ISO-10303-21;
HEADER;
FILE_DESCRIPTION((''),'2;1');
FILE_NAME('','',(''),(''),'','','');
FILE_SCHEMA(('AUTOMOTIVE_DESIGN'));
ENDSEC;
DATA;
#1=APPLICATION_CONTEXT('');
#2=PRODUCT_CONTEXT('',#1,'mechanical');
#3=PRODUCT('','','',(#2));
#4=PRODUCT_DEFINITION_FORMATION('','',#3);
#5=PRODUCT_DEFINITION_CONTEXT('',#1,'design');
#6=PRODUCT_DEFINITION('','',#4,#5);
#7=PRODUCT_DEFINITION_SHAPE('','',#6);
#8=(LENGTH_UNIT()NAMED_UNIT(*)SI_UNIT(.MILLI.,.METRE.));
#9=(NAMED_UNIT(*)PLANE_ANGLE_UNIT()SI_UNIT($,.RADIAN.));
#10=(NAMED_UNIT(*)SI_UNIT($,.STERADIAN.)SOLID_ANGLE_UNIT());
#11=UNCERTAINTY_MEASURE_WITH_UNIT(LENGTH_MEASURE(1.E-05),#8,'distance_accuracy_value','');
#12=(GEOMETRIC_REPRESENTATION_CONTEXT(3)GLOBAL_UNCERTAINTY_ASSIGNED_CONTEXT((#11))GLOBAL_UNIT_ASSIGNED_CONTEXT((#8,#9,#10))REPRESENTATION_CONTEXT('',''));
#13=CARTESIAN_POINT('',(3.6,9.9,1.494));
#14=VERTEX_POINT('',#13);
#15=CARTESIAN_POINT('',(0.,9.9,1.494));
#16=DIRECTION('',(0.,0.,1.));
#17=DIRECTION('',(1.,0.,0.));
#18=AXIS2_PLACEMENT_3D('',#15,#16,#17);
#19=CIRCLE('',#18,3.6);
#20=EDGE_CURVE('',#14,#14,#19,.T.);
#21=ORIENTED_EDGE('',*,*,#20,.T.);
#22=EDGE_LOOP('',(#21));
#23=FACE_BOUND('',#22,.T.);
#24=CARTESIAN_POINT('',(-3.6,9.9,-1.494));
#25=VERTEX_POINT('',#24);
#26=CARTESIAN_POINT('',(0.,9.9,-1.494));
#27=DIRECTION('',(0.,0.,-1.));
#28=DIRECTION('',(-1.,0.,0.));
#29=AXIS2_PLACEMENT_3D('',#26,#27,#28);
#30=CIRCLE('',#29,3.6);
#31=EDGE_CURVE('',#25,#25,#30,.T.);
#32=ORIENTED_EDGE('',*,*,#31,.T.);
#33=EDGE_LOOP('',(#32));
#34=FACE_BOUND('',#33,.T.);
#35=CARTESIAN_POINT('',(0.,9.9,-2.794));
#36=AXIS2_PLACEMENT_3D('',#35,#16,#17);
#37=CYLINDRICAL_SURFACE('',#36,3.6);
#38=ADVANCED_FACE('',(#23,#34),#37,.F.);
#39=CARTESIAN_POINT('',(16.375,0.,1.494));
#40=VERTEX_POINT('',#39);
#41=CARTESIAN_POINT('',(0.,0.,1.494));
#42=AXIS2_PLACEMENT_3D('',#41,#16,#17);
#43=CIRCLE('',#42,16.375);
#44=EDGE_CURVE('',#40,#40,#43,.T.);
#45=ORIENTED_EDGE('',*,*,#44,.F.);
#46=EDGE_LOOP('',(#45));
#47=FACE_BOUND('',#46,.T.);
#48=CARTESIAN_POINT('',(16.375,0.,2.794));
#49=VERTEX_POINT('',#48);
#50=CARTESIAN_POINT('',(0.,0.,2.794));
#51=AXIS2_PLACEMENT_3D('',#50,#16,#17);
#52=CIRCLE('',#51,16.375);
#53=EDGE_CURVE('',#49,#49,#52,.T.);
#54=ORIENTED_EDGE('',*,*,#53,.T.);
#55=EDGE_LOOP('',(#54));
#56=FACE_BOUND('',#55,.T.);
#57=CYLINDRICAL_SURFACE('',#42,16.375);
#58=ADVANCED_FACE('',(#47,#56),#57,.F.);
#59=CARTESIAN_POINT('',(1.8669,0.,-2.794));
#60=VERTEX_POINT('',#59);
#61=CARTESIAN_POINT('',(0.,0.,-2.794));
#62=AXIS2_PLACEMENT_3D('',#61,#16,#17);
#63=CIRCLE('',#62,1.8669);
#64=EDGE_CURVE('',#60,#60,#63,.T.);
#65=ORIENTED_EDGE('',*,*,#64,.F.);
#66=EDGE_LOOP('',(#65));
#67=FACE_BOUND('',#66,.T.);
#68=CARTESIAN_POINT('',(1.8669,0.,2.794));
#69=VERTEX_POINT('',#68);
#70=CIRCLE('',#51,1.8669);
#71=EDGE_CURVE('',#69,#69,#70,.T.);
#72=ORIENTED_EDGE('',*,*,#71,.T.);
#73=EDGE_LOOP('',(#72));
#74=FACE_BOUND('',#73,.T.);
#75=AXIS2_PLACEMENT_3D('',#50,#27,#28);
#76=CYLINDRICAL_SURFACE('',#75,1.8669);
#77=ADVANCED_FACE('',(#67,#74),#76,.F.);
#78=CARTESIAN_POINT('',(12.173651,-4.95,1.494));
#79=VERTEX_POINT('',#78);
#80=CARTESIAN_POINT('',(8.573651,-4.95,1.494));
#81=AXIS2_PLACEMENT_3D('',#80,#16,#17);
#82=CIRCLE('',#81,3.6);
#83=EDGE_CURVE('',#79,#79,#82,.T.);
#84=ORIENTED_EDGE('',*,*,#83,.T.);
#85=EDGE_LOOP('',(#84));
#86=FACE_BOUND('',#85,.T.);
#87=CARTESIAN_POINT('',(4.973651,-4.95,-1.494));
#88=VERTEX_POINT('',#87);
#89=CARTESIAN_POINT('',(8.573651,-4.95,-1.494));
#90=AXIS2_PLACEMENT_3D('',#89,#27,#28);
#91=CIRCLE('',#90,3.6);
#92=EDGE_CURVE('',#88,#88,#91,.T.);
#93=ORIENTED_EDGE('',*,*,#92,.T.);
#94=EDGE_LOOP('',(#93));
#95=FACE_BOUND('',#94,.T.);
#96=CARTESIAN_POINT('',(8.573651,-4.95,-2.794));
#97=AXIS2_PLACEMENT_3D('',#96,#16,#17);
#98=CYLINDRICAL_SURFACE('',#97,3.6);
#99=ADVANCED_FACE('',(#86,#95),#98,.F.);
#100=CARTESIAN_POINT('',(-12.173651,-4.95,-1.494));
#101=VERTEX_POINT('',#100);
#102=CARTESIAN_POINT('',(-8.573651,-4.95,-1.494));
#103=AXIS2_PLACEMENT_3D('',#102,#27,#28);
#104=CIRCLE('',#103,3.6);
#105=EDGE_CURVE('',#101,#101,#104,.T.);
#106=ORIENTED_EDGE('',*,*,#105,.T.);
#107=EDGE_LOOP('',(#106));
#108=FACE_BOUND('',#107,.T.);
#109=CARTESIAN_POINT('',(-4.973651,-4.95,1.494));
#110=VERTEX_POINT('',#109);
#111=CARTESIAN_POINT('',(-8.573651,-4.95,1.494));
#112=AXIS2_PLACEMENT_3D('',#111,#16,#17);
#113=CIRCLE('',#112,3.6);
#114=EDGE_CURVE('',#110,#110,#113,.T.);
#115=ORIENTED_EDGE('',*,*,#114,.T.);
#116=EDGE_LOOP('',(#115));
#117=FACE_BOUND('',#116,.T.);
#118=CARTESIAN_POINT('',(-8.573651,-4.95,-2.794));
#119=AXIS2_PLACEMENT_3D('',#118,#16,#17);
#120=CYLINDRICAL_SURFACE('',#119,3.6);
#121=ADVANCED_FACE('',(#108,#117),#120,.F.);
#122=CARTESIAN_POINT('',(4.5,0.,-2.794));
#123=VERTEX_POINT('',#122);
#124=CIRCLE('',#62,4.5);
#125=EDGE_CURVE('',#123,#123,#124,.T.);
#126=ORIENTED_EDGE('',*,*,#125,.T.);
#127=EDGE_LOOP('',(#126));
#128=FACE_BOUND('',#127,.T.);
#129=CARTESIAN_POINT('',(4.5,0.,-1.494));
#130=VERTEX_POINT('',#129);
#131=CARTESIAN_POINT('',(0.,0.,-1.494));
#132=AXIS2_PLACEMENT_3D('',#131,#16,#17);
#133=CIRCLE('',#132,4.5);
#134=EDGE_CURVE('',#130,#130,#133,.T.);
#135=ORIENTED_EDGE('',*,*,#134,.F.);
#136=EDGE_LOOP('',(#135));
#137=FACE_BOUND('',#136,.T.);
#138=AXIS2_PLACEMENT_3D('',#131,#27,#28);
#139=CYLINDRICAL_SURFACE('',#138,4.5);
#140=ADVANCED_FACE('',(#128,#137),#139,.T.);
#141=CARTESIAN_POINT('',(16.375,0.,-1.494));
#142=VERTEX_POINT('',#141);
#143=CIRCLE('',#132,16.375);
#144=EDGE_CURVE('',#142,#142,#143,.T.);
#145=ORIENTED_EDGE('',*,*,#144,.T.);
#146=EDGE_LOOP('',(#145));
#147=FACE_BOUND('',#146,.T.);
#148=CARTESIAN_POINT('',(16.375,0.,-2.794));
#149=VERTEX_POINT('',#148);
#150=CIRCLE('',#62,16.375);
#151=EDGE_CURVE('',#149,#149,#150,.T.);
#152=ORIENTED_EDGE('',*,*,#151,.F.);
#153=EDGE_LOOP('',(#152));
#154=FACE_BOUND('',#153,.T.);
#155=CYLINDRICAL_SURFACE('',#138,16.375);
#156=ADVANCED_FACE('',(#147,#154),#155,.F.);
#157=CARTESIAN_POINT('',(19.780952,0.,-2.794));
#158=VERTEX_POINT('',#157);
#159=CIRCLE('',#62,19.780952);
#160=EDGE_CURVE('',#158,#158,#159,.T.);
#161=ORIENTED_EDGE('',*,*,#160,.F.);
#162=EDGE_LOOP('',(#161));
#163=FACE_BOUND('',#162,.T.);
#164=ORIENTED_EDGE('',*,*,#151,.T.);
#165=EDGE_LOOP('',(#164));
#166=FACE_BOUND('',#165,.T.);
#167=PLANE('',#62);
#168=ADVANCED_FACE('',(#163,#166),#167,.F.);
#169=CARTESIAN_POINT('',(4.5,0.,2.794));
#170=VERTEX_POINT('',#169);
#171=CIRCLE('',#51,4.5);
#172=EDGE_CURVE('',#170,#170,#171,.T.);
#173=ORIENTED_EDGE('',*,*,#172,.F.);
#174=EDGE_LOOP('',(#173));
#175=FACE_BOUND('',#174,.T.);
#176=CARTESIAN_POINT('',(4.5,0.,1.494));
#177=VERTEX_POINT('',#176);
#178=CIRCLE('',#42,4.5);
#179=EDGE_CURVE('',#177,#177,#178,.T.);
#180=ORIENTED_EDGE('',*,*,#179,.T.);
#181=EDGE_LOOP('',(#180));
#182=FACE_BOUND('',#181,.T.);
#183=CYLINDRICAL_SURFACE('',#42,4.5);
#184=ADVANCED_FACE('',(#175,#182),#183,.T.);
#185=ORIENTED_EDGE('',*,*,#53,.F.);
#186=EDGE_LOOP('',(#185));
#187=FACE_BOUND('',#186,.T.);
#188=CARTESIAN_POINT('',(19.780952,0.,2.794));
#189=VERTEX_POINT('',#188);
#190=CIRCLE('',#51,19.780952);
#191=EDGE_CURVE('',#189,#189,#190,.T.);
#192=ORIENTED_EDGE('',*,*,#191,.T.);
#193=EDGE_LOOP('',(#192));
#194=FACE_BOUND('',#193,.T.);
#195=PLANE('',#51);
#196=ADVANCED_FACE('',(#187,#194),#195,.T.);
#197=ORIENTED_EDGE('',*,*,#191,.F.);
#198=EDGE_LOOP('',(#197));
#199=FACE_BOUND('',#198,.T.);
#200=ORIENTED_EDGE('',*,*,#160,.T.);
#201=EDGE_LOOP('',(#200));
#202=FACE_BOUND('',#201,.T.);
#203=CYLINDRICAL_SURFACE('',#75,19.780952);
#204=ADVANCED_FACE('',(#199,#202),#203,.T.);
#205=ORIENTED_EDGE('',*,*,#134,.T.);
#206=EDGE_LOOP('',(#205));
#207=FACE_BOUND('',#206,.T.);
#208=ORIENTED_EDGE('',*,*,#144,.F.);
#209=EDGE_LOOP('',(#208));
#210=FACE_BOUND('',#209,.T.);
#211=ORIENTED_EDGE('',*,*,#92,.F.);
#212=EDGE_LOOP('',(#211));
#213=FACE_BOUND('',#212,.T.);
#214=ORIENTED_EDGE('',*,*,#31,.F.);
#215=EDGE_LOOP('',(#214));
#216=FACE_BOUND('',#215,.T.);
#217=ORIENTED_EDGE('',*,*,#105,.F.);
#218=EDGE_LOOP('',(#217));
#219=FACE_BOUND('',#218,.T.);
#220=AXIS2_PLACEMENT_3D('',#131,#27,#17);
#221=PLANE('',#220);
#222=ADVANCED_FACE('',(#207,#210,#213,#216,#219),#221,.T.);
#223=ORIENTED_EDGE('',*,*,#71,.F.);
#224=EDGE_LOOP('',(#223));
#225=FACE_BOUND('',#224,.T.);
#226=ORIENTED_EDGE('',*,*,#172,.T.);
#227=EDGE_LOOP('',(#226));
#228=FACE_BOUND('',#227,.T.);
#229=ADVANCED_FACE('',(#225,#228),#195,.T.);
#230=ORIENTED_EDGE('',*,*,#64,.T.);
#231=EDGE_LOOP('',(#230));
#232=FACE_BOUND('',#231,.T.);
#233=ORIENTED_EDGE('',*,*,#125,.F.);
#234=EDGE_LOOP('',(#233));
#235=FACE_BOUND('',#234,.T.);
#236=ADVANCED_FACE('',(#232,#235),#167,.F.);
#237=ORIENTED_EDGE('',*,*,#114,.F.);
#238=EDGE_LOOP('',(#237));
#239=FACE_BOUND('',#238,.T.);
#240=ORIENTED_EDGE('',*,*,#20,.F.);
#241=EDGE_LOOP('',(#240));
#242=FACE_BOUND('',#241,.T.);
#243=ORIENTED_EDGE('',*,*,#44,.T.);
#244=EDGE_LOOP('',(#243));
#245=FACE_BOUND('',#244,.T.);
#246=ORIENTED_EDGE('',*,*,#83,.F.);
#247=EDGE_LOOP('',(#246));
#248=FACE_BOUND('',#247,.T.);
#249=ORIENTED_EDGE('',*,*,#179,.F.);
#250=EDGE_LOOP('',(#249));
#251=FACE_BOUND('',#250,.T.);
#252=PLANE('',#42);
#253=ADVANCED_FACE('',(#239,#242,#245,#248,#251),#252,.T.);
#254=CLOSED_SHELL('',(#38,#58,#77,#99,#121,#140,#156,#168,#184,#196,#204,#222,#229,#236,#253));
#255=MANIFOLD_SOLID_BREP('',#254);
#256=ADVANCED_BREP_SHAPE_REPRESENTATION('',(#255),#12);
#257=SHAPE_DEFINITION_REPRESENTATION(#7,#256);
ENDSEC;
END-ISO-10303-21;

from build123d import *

# Parameters (mm, degrees)
SKETCH1_R           = 19.78095238
SKETCH1_R_2         = 1.8669
BOSS_EXTRUDE1_DEPTH = 2.794
SKETCH2_R           = 16.375
SKETCH2_R_2         = 4.5
CUT_EXTRUDE1_DEPTH  = 1.3
SKETCH3_R           = 3.6
CUT_EXTRUDE2_DEPTH  = 29.301220789


with BuildPart() as part:
    # Sketch1 → Boss-Extrude1 (new, symmetric)
    with BuildSketch(Plane.XY):
        Circle(SKETCH1_R)
        Circle(SKETCH1_R_2, mode=Mode.SUBTRACT)
    extrude(amount=BOSS_EXTRUDE1_DEPTH, both=True)

    # Sketch2 → Cut-Extrude1 (cut)
    with BuildSketch(Plane.XY.offset(2.794)):
        Circle(SKETCH2_R)
        Circle(SKETCH2_R_2, mode=Mode.SUBTRACT)
    cut_extrude1 = extrude(amount=-CUT_EXTRUDE1_DEPTH, mode=Mode.SUBTRACT)

    # Mirror1: Cut-Extrude1 across plane
    add(cut_extrude1.mirror(Plane.XY), mode=Mode.SUBTRACT)

    # Sketch3 → Cut-Extrude2 (cut, through all)
    with BuildSketch(Plane.XY.offset(1.494)):
        with Locations((0, 9.9)):
            Circle(SKETCH3_R)
        with Locations((8.573651497, -4.95)):
            Circle(SKETCH3_R)
        with Locations((-8.573651497, -4.95)):
            Circle(SKETCH3_R)
    extrude(amount=-CUT_EXTRUDE2_DEPTH, mode=Mode.SUBTRACT)


solid = part.part
